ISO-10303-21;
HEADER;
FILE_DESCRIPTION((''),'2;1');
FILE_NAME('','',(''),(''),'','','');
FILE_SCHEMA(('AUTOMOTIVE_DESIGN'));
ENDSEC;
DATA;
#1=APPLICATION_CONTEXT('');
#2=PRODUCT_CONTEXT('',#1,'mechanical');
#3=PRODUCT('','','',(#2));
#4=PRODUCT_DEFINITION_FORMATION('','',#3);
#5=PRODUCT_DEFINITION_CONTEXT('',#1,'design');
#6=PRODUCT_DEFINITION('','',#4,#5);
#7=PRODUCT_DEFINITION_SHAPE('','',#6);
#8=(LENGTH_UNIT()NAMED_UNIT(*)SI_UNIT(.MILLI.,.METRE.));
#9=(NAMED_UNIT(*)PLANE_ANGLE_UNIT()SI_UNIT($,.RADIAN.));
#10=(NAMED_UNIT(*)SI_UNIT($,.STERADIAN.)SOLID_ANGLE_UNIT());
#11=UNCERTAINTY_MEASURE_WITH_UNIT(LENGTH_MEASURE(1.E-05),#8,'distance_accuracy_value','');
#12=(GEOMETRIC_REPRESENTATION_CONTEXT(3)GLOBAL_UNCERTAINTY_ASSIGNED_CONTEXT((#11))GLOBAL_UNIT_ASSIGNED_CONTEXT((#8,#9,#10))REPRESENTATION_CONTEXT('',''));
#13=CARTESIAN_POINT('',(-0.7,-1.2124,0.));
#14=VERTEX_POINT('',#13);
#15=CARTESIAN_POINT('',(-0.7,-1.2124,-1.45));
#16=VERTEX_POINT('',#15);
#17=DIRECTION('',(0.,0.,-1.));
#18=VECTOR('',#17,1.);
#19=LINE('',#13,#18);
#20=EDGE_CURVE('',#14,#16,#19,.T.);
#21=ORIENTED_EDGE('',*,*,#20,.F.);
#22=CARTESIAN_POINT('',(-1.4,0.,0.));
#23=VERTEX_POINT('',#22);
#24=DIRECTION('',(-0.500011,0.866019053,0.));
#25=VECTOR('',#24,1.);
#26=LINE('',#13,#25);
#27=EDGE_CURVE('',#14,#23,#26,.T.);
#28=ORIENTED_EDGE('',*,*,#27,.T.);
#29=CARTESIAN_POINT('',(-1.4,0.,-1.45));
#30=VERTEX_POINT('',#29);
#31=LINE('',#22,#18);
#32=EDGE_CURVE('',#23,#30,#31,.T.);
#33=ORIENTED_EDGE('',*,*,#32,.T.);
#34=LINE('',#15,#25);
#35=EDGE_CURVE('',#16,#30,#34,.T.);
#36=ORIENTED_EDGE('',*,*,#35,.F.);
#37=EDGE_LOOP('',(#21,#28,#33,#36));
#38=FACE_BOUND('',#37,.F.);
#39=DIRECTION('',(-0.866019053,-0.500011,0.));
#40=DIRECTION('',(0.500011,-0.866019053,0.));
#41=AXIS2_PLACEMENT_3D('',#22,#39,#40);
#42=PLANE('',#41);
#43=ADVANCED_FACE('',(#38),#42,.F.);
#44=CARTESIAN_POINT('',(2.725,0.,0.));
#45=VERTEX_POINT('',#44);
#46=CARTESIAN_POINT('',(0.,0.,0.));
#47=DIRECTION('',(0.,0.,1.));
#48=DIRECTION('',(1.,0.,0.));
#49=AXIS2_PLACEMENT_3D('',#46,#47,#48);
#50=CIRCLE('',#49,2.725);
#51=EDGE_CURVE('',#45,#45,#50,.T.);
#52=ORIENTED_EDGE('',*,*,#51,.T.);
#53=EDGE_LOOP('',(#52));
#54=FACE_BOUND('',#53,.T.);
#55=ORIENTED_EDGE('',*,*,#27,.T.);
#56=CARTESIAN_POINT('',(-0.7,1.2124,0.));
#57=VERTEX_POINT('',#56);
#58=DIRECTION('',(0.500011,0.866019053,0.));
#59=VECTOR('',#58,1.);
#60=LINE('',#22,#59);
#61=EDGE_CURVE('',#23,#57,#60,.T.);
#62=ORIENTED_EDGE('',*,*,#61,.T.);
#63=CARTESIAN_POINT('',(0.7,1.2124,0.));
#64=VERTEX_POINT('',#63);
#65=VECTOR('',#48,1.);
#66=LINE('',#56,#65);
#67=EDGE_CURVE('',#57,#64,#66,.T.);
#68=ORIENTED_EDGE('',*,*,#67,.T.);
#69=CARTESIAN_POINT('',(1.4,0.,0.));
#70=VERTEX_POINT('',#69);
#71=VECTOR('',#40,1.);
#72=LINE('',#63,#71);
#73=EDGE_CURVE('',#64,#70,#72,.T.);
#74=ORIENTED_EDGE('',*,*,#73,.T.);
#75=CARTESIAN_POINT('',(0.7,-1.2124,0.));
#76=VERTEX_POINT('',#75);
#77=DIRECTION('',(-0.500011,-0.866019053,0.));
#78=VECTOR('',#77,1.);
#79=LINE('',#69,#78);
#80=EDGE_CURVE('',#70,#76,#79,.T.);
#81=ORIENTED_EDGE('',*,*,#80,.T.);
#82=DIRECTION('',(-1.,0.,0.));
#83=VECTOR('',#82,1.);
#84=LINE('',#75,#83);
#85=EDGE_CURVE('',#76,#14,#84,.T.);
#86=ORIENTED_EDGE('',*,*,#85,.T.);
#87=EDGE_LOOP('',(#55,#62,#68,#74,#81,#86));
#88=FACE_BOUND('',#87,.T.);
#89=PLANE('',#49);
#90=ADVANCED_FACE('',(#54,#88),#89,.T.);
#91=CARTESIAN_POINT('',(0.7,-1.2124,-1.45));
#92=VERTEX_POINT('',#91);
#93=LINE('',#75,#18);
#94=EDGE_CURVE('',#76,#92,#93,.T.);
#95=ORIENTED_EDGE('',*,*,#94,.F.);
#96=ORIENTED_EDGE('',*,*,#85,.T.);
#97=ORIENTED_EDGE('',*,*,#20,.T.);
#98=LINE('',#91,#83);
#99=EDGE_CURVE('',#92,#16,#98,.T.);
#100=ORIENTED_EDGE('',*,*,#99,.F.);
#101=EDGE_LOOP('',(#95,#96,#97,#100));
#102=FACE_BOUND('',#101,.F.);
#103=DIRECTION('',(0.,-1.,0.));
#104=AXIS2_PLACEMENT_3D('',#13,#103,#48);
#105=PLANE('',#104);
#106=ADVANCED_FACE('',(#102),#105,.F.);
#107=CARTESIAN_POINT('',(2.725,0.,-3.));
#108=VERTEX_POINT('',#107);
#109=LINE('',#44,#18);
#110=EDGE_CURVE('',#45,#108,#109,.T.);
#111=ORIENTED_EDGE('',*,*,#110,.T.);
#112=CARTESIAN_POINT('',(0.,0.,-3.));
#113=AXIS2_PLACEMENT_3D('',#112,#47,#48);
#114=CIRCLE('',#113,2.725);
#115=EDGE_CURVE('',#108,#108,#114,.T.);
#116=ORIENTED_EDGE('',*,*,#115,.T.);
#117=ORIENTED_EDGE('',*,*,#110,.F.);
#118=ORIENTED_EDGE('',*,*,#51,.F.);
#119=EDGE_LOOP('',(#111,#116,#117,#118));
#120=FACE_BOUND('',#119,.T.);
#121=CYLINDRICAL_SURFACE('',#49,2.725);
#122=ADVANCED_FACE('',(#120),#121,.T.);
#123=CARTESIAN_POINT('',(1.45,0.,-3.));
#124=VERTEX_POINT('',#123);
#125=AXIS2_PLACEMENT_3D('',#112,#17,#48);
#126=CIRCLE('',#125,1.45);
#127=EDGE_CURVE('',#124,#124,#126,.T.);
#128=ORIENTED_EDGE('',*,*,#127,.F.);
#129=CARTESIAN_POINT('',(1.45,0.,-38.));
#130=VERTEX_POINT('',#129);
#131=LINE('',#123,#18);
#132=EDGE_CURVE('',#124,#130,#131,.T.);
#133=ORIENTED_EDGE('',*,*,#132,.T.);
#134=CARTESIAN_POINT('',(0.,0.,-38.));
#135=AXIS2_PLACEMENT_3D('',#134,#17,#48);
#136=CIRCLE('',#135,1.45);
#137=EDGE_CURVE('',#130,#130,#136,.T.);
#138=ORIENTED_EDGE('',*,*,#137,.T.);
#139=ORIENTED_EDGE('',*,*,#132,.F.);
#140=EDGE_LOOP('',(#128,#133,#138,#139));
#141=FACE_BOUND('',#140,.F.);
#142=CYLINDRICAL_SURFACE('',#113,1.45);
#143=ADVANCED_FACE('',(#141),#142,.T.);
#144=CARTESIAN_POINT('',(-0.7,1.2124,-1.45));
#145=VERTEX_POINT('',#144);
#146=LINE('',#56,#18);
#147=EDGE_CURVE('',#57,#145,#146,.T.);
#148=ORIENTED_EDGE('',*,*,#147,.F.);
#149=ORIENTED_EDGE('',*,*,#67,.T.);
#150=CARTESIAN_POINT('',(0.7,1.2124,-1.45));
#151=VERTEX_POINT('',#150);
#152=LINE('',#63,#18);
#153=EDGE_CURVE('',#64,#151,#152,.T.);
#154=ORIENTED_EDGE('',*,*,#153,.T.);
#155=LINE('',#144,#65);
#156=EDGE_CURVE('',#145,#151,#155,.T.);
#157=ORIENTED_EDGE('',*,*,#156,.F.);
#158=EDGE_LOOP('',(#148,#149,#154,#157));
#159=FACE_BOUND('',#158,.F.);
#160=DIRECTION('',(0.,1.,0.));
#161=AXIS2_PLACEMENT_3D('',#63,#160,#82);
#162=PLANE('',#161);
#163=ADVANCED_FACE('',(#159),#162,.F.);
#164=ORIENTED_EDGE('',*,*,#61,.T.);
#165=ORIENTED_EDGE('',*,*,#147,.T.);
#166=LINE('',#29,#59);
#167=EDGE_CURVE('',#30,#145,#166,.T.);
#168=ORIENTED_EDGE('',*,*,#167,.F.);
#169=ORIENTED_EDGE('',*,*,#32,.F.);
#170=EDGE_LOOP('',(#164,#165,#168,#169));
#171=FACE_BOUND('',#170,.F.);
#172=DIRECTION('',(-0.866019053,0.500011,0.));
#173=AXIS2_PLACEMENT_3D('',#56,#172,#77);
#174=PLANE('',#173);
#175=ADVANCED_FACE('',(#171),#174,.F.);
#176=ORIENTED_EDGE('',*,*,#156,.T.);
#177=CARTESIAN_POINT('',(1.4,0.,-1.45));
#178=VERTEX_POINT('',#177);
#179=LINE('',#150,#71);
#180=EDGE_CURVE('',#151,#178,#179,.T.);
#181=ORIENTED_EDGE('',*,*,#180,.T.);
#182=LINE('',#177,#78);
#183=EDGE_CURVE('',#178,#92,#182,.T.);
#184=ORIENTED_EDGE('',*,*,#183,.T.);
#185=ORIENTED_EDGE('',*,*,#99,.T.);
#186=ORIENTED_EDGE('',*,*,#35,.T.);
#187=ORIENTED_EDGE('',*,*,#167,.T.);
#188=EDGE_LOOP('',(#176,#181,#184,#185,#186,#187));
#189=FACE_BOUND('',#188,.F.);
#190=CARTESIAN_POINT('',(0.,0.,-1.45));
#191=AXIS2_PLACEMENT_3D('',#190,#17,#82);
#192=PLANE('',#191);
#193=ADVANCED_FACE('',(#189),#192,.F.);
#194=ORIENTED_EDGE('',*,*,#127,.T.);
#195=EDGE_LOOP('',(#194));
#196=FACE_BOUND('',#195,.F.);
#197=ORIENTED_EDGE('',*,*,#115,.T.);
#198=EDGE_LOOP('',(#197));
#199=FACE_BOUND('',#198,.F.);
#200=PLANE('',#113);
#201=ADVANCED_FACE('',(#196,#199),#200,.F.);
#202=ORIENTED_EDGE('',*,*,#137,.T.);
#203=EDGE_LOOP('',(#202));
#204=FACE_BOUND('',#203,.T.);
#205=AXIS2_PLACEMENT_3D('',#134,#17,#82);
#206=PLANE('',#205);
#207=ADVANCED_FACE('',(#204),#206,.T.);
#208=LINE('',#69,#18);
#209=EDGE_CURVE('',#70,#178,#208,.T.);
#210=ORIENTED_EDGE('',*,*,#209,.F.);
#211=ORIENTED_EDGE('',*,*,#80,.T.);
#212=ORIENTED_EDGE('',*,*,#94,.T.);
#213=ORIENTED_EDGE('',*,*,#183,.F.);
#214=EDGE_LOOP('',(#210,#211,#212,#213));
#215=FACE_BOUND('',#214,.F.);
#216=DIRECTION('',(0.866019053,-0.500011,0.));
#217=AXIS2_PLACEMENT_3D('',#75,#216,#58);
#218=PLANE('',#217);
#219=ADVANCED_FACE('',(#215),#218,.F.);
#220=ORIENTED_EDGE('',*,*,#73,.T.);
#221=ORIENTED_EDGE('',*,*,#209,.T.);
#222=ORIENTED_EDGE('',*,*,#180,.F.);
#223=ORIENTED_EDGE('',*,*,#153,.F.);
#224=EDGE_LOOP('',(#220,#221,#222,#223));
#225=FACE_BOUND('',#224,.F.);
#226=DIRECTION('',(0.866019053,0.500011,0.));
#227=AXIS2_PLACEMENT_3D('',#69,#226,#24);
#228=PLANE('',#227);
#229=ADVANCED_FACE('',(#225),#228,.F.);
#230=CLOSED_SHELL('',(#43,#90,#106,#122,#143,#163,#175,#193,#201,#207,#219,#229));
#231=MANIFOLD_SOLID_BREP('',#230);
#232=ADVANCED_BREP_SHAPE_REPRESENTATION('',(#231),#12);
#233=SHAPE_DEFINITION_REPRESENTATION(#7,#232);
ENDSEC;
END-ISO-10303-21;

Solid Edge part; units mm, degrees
sketch "Sketch1" plane through (0, 0, 0) normal (0, 0, 1) x (1, 0, 0)
  circle A0 centre (0, 0) radius 2.725
extrude "Protrusion1" add sketch "Sketch1" against normal blind 3
sketch "Sketch2" plane through (0, 0, 0) normal (0, 0, 1) x (1, 0, 0)
  line L0 (-0.7, -1.2124) -> (-1.05, -0.6062)
  line L1 (-1.4, 0) -> (-1.05, -0.6062)
  line L2 (-1.4, 0) -> (-1.05, 0.6062)
  line L3 (-0.7, 1.2124) -> (-1.05, 0.6062)
  line L4 (-0.7, 1.2124) -> (0, 1.2124)
  line L5 (0.7, 1.2124) -> (0, 1.2124)
  line L6 (0.7, 1.2124) -> (1.05, 0.6062)
  line L7 (1.4, 0) -> (1.05, 0.6062)
  line L8 (1.4, 0) -> (1.05, -0.6062)
  line L9 (0.7, -1.2124) -> (1.05, -0.6062)
  line L10 (0.7, -1.2124) -> (0, -1.2124)
  line L11 (-0.7, -1.2124) -> (0, -1.2124)
extrude "ExtrudedCutout_1" cut sketch "Sketch2" against normal blind 1.45
sketch "Sketch3" plane through (0, 0, -3) normal (0, 0, -1) x (1, 0, 0)
  circle A0 centre (0, 0) radius 1.45
extrude "ExtrudedProtrusion_2" add sketch "Sketch3" along normal blind 35
